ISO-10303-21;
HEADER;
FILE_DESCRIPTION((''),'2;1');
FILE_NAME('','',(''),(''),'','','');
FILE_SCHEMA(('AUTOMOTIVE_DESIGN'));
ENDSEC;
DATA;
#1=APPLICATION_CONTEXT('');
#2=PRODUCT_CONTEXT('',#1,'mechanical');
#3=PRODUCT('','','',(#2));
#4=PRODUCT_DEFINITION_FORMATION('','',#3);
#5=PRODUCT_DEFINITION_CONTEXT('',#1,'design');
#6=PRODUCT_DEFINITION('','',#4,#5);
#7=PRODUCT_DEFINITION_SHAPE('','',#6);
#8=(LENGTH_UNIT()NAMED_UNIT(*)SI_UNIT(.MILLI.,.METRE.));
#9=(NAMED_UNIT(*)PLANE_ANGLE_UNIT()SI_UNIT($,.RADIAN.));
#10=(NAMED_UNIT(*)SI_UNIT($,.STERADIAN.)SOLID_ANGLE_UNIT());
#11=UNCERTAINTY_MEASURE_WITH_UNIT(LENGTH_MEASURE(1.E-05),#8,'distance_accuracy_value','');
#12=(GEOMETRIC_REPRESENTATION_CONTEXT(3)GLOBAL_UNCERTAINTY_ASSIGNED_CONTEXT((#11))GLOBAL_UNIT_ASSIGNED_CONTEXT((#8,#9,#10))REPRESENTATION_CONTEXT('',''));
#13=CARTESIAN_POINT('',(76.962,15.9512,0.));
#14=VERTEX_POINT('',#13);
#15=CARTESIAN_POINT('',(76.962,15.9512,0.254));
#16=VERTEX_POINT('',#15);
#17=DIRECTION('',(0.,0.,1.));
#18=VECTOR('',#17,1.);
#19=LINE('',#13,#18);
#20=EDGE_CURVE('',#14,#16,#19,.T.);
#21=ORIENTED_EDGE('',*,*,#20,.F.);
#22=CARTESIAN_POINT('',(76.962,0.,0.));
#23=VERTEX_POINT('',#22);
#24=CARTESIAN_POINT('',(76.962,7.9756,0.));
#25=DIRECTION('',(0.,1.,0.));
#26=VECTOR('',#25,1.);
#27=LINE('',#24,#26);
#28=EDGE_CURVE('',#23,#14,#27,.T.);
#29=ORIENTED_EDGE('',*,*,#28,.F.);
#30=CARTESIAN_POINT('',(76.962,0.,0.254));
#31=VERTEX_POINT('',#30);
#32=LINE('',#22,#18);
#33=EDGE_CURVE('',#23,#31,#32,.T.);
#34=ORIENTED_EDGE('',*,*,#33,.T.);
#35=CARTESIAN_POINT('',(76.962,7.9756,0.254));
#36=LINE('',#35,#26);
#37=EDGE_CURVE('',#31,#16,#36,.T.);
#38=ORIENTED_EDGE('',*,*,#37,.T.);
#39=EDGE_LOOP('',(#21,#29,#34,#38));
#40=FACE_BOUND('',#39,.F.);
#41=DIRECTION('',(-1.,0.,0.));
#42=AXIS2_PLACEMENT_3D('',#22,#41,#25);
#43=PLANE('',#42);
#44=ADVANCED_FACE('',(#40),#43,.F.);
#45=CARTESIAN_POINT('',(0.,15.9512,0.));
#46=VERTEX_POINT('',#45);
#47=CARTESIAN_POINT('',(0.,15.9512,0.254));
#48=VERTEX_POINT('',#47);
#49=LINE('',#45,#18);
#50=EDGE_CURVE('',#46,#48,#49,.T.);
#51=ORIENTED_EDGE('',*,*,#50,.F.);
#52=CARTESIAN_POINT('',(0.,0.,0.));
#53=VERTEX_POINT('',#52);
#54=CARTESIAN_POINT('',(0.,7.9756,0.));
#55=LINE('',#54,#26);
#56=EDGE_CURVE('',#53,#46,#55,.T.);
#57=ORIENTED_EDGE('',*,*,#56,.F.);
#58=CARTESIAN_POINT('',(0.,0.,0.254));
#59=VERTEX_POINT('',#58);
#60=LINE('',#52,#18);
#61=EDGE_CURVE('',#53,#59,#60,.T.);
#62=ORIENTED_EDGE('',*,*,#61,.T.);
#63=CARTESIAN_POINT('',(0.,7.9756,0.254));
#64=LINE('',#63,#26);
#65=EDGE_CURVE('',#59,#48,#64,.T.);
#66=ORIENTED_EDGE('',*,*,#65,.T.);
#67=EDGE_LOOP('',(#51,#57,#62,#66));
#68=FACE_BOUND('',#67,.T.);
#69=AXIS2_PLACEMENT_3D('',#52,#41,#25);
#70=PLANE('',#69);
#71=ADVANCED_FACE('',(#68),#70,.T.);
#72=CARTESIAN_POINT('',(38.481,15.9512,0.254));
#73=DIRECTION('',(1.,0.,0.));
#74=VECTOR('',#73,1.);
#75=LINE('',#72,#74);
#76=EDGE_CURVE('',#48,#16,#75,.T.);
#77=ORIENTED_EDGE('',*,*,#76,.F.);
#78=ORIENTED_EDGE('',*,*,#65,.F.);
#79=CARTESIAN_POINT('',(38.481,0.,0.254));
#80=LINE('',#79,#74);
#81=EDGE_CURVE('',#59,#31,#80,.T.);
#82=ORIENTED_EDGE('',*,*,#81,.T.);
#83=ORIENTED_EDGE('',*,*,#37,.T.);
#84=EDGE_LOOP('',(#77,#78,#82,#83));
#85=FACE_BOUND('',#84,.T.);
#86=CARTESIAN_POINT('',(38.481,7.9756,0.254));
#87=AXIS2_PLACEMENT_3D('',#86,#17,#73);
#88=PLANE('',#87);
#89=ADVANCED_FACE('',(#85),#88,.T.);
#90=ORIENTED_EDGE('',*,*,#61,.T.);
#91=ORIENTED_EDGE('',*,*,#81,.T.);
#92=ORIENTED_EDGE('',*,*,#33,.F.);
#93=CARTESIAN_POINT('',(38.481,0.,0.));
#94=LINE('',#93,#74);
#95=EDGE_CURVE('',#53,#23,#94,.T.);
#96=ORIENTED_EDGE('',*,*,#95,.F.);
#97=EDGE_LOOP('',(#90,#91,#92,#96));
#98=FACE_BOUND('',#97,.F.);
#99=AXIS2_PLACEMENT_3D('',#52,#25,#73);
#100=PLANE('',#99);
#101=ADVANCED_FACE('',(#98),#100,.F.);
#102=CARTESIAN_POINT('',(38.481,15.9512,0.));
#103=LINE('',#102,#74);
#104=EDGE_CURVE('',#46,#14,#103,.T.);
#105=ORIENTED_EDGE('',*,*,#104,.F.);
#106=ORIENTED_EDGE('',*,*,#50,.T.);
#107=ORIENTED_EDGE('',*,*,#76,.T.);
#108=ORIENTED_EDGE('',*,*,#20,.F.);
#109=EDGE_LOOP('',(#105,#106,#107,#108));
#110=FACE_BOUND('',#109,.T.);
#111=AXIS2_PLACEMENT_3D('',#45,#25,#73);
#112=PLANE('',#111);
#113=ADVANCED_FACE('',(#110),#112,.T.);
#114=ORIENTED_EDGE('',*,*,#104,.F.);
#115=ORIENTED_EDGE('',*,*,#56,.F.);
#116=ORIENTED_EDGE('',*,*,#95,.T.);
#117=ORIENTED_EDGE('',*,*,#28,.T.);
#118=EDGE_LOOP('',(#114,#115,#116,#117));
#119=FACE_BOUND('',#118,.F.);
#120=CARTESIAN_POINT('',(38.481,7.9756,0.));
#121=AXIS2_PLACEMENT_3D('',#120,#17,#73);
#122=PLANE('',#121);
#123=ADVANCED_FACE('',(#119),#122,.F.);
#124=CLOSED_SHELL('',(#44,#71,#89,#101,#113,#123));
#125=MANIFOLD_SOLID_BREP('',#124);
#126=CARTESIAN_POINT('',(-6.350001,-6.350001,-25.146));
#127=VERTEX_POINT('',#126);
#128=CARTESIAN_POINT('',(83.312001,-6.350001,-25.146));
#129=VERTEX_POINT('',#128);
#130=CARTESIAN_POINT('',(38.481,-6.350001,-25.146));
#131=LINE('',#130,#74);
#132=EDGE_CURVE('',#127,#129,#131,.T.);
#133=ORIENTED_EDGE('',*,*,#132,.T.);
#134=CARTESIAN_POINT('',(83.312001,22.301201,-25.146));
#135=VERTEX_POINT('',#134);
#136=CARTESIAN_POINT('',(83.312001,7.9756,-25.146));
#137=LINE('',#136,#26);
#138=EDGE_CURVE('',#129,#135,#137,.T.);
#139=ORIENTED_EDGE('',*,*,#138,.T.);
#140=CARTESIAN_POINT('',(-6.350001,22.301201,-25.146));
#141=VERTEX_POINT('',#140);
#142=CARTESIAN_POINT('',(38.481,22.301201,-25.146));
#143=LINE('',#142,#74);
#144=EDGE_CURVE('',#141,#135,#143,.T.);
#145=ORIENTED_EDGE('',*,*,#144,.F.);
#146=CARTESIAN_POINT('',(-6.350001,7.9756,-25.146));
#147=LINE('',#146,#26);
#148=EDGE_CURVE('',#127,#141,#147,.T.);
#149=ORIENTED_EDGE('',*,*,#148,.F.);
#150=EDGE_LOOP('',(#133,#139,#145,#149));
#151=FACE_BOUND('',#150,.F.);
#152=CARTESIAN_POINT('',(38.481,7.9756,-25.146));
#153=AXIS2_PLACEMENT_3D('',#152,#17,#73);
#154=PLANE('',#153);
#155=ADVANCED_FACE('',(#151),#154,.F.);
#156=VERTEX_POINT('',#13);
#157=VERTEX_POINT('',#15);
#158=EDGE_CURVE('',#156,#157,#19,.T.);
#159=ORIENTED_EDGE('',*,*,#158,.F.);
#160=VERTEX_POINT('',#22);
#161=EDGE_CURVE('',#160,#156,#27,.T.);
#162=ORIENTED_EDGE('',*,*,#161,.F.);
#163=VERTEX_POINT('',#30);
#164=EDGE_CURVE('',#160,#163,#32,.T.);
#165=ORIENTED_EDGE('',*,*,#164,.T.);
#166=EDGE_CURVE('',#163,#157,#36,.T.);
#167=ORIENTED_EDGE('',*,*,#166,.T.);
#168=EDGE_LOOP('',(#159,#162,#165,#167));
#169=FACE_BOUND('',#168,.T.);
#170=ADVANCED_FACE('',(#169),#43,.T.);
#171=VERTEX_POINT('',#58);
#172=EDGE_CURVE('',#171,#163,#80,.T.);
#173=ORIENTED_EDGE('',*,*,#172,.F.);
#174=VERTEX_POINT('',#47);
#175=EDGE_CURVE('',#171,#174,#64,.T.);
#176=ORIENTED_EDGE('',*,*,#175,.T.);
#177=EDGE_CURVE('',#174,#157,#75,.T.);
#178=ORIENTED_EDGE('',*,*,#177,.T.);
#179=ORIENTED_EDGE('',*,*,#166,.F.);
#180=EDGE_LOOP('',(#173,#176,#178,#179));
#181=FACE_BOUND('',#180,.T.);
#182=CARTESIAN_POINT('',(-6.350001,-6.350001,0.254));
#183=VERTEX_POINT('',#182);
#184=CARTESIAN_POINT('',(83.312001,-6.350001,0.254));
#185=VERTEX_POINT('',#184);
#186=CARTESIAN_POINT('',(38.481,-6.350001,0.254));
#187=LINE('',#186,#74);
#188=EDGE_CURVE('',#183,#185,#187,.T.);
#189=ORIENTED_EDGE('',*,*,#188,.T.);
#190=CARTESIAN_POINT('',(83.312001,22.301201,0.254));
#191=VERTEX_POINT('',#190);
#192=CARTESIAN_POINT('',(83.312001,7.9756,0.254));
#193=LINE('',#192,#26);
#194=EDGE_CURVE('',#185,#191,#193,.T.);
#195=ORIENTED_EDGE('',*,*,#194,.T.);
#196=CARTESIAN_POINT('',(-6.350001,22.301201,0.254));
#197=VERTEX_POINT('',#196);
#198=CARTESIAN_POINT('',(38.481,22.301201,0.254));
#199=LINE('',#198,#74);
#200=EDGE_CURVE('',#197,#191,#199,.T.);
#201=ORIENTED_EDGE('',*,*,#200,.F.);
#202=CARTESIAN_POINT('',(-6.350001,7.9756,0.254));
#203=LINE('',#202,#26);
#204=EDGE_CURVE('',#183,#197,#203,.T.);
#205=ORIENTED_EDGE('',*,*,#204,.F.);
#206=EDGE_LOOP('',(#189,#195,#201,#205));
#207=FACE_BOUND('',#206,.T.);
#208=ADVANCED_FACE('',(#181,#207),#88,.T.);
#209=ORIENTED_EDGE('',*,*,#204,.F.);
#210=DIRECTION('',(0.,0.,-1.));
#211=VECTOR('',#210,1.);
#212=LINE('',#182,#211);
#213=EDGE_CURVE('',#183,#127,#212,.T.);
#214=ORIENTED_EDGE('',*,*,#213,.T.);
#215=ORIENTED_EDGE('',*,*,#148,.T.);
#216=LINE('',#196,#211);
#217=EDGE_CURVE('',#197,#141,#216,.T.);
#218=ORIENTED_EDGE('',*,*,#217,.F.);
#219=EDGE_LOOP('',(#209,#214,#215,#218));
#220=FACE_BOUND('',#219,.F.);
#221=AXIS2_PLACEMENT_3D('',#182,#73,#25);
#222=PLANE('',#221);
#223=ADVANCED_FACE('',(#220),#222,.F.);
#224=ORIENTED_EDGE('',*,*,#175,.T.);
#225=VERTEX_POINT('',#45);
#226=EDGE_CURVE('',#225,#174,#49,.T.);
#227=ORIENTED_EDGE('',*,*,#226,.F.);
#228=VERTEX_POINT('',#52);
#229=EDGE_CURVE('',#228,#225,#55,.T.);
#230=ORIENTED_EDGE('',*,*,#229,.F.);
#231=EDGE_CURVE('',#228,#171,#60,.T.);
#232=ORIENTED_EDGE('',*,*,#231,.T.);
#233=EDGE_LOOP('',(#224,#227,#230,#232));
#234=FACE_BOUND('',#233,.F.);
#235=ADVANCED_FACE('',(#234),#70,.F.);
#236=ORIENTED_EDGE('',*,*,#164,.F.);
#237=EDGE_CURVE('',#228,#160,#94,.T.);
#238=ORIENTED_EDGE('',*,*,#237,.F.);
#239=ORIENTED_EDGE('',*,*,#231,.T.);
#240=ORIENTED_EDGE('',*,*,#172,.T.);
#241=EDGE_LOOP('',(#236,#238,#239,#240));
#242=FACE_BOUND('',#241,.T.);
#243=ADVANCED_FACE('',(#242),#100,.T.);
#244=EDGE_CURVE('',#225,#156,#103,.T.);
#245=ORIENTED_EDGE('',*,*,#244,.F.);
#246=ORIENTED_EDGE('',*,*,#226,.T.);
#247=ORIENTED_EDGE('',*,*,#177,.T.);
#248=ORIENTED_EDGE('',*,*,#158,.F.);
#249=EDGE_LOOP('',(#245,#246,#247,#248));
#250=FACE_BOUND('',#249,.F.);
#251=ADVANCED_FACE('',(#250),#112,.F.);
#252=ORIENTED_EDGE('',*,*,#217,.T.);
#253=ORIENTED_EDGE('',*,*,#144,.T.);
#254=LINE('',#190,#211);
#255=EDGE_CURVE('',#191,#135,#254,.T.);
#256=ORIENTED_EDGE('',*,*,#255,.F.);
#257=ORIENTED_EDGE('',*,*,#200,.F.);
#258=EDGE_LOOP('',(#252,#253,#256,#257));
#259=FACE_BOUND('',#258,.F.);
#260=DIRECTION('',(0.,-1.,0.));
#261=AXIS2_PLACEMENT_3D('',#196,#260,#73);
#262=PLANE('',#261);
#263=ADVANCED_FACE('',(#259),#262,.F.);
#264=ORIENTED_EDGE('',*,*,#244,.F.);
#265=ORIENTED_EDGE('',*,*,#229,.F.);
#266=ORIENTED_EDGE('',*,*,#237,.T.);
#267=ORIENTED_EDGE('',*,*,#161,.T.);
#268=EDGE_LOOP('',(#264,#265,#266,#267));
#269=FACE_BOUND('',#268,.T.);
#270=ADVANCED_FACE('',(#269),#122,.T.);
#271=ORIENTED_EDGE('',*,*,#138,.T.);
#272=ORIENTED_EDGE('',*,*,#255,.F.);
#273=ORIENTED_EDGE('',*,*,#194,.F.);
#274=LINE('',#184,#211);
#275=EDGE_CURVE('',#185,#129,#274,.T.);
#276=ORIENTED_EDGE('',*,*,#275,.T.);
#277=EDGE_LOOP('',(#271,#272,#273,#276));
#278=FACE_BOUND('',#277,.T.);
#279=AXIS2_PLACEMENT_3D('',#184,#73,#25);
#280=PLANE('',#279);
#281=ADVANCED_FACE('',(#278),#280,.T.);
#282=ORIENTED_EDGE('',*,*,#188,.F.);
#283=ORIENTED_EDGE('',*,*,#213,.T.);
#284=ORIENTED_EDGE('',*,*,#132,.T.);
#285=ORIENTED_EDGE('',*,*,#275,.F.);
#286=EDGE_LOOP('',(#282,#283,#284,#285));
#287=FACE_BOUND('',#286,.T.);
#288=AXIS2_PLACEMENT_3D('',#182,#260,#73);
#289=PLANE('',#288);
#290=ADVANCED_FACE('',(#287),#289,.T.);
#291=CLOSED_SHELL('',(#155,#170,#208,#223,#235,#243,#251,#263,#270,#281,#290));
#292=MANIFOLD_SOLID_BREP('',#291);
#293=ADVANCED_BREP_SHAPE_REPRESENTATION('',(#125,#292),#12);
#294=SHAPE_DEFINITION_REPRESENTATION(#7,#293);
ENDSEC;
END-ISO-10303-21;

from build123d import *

# Parameters (mm, degrees)
F0_W     = 76.962
F0_H     = 15.9512
F1_DEPTH = 0.254
F3_W     = 89.6620015546
F3_H     = 28.6512015546
F3_W_2   = 76.962
F3_H_2   = 15.9512
F4_DEPTH = 25.4


with BuildPart() as f1:
    # F0 (on Top) → F1 (new body)
    with BuildSketch(Plane.XY):
        with Locations((38.481, 7.9756)):
            Rectangle(F0_W, F0_H)
    extrude(amount=F1_DEPTH)


with BuildPart() as f4:
    # F3 (on offset) → F4 (new body)
    with BuildSketch(Plane.XY.offset(0.254)):
        with Locations((38.481, 7.9756)):
            Rectangle(F3_W, F3_H)
        with Locations((38.481, 7.9756)):
            Rectangle(F3_W_2, F3_H_2, mode=Mode.SUBTRACT)
        with Locations((38.481, 7.9756)):
            Rectangle(F3_W_2, F3_H_2)
    extrude(amount=-F4_DEPTH)

    # F5: cut F1
    add(f1.part, mode=Mode.SUBTRACT)


solid = Compound([f1.part, f4.part])
